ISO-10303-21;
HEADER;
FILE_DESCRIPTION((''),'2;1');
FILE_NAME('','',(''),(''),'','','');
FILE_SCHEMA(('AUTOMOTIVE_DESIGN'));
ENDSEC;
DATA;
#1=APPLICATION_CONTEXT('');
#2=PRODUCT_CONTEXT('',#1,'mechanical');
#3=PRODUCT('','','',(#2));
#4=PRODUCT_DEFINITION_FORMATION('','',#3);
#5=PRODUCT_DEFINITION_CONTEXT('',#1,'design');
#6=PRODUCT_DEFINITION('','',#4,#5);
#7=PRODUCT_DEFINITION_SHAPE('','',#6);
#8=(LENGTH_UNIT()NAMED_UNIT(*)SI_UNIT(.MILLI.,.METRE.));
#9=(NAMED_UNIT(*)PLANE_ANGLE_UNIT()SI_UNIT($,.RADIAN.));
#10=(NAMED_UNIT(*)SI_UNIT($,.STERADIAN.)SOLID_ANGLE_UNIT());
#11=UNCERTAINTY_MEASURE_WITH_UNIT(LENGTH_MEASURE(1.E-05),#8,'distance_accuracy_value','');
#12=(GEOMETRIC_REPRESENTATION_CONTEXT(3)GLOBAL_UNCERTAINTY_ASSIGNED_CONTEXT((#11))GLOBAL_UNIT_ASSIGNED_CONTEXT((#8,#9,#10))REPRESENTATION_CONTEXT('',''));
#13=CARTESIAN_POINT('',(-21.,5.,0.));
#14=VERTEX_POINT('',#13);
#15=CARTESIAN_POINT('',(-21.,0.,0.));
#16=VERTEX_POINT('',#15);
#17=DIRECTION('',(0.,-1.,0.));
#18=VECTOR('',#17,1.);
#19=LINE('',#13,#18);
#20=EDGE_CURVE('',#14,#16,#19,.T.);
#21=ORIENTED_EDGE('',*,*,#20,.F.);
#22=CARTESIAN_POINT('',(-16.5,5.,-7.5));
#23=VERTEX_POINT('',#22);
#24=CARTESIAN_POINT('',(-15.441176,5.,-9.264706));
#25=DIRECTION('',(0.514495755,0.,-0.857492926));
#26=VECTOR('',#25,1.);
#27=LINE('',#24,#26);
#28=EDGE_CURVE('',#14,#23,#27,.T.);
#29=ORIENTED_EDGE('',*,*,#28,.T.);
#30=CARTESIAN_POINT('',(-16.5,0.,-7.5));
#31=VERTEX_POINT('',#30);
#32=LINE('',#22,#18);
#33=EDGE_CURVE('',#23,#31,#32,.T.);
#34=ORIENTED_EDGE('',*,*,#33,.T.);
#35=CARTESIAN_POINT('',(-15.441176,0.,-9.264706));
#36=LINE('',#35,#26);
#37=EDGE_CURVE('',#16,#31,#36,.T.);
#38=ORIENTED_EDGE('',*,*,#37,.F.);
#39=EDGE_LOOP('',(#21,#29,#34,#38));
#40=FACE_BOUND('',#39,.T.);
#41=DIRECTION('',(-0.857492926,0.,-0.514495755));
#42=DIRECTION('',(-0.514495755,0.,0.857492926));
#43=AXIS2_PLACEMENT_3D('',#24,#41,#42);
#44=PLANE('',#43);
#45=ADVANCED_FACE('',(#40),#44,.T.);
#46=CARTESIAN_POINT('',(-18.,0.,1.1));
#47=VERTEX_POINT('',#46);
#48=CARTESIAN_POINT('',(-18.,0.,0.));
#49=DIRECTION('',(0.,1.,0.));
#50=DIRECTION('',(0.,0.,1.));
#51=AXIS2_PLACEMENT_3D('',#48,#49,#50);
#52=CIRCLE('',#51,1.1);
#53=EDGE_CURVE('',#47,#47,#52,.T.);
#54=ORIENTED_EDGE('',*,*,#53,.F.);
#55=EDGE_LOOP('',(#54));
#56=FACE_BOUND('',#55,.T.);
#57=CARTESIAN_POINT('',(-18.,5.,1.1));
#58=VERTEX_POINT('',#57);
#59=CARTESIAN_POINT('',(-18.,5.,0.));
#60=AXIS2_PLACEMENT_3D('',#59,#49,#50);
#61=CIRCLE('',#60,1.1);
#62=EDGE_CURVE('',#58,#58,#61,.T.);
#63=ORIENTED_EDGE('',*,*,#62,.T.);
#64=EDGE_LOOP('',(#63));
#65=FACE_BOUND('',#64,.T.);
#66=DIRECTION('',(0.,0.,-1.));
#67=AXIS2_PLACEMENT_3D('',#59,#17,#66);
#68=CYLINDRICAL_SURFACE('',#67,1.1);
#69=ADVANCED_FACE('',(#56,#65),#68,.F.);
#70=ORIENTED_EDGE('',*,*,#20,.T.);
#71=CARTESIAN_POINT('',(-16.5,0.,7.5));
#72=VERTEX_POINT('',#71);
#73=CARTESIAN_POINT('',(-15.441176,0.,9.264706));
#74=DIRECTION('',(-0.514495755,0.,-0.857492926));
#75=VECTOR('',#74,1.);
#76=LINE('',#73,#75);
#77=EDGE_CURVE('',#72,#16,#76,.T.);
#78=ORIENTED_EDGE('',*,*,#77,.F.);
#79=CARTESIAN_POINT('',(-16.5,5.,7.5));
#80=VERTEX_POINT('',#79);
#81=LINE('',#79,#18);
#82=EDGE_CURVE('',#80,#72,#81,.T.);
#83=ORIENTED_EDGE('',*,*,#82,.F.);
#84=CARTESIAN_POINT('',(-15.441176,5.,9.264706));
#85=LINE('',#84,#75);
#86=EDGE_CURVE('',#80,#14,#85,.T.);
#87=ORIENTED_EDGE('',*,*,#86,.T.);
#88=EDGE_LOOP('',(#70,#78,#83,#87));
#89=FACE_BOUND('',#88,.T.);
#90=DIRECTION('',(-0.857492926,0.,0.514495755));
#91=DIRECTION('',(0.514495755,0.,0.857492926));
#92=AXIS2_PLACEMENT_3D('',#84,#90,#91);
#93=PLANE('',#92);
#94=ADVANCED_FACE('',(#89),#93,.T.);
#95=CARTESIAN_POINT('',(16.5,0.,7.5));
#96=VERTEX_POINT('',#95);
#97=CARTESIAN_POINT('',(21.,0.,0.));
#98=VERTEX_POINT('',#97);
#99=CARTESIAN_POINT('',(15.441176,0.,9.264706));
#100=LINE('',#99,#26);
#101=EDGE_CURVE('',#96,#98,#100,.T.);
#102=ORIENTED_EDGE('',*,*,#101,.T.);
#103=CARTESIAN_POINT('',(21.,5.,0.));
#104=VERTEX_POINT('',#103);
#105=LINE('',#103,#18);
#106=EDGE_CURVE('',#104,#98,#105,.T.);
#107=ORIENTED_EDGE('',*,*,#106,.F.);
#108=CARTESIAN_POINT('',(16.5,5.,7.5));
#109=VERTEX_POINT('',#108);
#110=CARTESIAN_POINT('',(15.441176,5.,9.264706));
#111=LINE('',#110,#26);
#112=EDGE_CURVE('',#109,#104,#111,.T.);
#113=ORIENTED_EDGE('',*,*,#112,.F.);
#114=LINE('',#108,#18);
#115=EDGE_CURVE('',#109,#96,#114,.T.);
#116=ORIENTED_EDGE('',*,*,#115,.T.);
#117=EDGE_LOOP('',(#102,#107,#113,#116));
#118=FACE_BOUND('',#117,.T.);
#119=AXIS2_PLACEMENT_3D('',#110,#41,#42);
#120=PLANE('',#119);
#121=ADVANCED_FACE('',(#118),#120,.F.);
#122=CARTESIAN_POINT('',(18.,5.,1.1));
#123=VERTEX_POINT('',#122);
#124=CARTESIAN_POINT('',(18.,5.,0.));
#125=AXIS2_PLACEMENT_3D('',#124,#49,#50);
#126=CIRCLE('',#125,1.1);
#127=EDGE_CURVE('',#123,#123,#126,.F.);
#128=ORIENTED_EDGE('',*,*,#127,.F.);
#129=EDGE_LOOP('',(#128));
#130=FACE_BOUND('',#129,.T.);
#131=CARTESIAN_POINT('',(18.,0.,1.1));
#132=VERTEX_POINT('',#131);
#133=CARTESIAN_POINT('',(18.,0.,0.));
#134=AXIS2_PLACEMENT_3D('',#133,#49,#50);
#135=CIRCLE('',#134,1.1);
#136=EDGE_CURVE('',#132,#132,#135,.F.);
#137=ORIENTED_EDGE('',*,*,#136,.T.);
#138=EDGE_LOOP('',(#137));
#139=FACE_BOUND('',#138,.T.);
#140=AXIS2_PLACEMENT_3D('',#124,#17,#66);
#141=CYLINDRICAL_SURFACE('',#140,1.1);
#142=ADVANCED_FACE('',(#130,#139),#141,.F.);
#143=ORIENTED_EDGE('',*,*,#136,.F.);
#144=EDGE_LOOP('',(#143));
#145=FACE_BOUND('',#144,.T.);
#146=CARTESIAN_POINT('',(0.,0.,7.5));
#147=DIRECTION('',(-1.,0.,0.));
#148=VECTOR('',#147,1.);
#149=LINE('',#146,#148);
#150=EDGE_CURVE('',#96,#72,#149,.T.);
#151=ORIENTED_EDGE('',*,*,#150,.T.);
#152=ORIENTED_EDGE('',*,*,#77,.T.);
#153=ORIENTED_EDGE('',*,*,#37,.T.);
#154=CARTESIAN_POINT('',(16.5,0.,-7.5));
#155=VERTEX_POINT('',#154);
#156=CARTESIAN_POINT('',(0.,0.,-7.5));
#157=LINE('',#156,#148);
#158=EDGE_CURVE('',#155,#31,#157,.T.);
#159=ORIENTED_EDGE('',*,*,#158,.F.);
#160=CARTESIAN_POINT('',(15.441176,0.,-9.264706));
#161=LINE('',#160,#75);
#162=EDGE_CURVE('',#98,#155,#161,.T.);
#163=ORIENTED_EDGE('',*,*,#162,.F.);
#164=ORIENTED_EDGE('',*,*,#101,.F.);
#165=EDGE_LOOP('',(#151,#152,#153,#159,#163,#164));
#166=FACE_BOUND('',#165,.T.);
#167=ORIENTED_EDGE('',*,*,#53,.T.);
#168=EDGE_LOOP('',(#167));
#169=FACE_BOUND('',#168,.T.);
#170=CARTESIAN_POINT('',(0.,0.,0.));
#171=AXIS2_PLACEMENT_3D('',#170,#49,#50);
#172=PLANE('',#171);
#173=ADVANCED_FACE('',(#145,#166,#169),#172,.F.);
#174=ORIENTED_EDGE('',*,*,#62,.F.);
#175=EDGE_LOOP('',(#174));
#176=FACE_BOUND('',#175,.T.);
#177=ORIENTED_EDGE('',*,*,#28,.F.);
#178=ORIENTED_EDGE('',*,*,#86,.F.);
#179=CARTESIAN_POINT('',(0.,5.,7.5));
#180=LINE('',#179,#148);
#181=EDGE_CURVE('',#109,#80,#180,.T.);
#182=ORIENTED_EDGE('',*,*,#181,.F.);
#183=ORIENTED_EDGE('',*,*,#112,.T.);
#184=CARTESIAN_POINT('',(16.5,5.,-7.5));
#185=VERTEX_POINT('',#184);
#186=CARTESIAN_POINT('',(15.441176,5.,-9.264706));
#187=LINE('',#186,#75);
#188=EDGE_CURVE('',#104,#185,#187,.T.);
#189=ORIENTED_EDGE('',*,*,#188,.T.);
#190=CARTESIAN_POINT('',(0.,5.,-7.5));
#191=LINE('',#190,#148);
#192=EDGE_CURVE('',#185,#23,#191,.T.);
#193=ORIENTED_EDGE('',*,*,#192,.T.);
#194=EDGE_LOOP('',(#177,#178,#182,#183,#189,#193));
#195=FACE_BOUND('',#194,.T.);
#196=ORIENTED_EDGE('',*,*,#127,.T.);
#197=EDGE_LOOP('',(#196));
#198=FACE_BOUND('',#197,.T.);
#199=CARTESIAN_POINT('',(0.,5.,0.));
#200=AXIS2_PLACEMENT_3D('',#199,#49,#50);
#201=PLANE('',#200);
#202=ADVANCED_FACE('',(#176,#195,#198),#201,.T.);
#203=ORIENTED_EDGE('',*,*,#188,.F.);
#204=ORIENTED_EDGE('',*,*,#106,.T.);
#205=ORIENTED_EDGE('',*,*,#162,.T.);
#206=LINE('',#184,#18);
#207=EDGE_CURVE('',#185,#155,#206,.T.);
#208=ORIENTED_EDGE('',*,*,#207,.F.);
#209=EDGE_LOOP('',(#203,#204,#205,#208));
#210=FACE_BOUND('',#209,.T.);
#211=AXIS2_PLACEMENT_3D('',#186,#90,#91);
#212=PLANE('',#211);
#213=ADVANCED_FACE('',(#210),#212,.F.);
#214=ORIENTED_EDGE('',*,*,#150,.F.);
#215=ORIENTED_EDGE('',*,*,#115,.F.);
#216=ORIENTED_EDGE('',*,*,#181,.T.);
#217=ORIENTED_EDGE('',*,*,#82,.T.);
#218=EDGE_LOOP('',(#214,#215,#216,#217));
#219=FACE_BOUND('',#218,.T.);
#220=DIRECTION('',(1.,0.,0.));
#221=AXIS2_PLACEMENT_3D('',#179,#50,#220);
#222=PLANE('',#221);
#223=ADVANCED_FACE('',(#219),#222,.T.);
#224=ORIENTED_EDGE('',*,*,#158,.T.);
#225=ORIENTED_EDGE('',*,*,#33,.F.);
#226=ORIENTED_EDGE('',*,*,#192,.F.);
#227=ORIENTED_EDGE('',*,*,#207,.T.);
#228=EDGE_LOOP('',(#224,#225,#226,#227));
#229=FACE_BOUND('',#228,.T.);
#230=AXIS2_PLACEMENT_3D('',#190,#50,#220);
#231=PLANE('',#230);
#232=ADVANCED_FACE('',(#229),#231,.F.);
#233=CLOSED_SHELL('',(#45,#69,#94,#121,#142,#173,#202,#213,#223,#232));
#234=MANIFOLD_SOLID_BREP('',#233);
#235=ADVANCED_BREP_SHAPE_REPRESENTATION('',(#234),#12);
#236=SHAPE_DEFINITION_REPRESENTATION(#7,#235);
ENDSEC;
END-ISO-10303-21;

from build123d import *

# Parameters (mm, degrees)
SKETCH_1_W      = 33
SKETCH_1_H      = 15
SKETCH_1_R      = 1.1
EXTRUDE_1_DEPTH = 5


with BuildPart() as part:
    # 草图1 → 凸台-拉伸1 (new body)
    # profile 1 of 3: a face of its own
    with BuildSketch(Plane(origin=(0, 0, 0), x_dir=(1, 0, 0), z_dir=(0, 1, 0))):
        Rectangle(SKETCH_1_W, SKETCH_1_H)
    # profile 2 of 3: a face of its own
    with BuildSketch(Plane(origin=(0, 0, 0), x_dir=(1, 0, 0), z_dir=(0, 1, 0))):
        Polygon((-21, 0), (-16.5, 7.5), (-16.5, -7.5), align=None)
        with Locations(Location((-18, 0, 0), (0, 0, 270))):
            Circle(SKETCH_1_R, mode=Mode.SUBTRACT)
    # profile 3 of 3: a face of its own
    with BuildSketch(Plane(origin=(0, 0, 0), x_dir=(1, 0, 0), z_dir=(0, 1, 0))):
        Polygon((16.5, 7.5), (16.5, -7.5), (21, 0), align=None)
        with Locations(Location((18, 0, 0), (0, 0, 270))):
            Circle(SKETCH_1_R, mode=Mode.SUBTRACT)
    extrude(amount=EXTRUDE_1_DEPTH)


solid = part.part
